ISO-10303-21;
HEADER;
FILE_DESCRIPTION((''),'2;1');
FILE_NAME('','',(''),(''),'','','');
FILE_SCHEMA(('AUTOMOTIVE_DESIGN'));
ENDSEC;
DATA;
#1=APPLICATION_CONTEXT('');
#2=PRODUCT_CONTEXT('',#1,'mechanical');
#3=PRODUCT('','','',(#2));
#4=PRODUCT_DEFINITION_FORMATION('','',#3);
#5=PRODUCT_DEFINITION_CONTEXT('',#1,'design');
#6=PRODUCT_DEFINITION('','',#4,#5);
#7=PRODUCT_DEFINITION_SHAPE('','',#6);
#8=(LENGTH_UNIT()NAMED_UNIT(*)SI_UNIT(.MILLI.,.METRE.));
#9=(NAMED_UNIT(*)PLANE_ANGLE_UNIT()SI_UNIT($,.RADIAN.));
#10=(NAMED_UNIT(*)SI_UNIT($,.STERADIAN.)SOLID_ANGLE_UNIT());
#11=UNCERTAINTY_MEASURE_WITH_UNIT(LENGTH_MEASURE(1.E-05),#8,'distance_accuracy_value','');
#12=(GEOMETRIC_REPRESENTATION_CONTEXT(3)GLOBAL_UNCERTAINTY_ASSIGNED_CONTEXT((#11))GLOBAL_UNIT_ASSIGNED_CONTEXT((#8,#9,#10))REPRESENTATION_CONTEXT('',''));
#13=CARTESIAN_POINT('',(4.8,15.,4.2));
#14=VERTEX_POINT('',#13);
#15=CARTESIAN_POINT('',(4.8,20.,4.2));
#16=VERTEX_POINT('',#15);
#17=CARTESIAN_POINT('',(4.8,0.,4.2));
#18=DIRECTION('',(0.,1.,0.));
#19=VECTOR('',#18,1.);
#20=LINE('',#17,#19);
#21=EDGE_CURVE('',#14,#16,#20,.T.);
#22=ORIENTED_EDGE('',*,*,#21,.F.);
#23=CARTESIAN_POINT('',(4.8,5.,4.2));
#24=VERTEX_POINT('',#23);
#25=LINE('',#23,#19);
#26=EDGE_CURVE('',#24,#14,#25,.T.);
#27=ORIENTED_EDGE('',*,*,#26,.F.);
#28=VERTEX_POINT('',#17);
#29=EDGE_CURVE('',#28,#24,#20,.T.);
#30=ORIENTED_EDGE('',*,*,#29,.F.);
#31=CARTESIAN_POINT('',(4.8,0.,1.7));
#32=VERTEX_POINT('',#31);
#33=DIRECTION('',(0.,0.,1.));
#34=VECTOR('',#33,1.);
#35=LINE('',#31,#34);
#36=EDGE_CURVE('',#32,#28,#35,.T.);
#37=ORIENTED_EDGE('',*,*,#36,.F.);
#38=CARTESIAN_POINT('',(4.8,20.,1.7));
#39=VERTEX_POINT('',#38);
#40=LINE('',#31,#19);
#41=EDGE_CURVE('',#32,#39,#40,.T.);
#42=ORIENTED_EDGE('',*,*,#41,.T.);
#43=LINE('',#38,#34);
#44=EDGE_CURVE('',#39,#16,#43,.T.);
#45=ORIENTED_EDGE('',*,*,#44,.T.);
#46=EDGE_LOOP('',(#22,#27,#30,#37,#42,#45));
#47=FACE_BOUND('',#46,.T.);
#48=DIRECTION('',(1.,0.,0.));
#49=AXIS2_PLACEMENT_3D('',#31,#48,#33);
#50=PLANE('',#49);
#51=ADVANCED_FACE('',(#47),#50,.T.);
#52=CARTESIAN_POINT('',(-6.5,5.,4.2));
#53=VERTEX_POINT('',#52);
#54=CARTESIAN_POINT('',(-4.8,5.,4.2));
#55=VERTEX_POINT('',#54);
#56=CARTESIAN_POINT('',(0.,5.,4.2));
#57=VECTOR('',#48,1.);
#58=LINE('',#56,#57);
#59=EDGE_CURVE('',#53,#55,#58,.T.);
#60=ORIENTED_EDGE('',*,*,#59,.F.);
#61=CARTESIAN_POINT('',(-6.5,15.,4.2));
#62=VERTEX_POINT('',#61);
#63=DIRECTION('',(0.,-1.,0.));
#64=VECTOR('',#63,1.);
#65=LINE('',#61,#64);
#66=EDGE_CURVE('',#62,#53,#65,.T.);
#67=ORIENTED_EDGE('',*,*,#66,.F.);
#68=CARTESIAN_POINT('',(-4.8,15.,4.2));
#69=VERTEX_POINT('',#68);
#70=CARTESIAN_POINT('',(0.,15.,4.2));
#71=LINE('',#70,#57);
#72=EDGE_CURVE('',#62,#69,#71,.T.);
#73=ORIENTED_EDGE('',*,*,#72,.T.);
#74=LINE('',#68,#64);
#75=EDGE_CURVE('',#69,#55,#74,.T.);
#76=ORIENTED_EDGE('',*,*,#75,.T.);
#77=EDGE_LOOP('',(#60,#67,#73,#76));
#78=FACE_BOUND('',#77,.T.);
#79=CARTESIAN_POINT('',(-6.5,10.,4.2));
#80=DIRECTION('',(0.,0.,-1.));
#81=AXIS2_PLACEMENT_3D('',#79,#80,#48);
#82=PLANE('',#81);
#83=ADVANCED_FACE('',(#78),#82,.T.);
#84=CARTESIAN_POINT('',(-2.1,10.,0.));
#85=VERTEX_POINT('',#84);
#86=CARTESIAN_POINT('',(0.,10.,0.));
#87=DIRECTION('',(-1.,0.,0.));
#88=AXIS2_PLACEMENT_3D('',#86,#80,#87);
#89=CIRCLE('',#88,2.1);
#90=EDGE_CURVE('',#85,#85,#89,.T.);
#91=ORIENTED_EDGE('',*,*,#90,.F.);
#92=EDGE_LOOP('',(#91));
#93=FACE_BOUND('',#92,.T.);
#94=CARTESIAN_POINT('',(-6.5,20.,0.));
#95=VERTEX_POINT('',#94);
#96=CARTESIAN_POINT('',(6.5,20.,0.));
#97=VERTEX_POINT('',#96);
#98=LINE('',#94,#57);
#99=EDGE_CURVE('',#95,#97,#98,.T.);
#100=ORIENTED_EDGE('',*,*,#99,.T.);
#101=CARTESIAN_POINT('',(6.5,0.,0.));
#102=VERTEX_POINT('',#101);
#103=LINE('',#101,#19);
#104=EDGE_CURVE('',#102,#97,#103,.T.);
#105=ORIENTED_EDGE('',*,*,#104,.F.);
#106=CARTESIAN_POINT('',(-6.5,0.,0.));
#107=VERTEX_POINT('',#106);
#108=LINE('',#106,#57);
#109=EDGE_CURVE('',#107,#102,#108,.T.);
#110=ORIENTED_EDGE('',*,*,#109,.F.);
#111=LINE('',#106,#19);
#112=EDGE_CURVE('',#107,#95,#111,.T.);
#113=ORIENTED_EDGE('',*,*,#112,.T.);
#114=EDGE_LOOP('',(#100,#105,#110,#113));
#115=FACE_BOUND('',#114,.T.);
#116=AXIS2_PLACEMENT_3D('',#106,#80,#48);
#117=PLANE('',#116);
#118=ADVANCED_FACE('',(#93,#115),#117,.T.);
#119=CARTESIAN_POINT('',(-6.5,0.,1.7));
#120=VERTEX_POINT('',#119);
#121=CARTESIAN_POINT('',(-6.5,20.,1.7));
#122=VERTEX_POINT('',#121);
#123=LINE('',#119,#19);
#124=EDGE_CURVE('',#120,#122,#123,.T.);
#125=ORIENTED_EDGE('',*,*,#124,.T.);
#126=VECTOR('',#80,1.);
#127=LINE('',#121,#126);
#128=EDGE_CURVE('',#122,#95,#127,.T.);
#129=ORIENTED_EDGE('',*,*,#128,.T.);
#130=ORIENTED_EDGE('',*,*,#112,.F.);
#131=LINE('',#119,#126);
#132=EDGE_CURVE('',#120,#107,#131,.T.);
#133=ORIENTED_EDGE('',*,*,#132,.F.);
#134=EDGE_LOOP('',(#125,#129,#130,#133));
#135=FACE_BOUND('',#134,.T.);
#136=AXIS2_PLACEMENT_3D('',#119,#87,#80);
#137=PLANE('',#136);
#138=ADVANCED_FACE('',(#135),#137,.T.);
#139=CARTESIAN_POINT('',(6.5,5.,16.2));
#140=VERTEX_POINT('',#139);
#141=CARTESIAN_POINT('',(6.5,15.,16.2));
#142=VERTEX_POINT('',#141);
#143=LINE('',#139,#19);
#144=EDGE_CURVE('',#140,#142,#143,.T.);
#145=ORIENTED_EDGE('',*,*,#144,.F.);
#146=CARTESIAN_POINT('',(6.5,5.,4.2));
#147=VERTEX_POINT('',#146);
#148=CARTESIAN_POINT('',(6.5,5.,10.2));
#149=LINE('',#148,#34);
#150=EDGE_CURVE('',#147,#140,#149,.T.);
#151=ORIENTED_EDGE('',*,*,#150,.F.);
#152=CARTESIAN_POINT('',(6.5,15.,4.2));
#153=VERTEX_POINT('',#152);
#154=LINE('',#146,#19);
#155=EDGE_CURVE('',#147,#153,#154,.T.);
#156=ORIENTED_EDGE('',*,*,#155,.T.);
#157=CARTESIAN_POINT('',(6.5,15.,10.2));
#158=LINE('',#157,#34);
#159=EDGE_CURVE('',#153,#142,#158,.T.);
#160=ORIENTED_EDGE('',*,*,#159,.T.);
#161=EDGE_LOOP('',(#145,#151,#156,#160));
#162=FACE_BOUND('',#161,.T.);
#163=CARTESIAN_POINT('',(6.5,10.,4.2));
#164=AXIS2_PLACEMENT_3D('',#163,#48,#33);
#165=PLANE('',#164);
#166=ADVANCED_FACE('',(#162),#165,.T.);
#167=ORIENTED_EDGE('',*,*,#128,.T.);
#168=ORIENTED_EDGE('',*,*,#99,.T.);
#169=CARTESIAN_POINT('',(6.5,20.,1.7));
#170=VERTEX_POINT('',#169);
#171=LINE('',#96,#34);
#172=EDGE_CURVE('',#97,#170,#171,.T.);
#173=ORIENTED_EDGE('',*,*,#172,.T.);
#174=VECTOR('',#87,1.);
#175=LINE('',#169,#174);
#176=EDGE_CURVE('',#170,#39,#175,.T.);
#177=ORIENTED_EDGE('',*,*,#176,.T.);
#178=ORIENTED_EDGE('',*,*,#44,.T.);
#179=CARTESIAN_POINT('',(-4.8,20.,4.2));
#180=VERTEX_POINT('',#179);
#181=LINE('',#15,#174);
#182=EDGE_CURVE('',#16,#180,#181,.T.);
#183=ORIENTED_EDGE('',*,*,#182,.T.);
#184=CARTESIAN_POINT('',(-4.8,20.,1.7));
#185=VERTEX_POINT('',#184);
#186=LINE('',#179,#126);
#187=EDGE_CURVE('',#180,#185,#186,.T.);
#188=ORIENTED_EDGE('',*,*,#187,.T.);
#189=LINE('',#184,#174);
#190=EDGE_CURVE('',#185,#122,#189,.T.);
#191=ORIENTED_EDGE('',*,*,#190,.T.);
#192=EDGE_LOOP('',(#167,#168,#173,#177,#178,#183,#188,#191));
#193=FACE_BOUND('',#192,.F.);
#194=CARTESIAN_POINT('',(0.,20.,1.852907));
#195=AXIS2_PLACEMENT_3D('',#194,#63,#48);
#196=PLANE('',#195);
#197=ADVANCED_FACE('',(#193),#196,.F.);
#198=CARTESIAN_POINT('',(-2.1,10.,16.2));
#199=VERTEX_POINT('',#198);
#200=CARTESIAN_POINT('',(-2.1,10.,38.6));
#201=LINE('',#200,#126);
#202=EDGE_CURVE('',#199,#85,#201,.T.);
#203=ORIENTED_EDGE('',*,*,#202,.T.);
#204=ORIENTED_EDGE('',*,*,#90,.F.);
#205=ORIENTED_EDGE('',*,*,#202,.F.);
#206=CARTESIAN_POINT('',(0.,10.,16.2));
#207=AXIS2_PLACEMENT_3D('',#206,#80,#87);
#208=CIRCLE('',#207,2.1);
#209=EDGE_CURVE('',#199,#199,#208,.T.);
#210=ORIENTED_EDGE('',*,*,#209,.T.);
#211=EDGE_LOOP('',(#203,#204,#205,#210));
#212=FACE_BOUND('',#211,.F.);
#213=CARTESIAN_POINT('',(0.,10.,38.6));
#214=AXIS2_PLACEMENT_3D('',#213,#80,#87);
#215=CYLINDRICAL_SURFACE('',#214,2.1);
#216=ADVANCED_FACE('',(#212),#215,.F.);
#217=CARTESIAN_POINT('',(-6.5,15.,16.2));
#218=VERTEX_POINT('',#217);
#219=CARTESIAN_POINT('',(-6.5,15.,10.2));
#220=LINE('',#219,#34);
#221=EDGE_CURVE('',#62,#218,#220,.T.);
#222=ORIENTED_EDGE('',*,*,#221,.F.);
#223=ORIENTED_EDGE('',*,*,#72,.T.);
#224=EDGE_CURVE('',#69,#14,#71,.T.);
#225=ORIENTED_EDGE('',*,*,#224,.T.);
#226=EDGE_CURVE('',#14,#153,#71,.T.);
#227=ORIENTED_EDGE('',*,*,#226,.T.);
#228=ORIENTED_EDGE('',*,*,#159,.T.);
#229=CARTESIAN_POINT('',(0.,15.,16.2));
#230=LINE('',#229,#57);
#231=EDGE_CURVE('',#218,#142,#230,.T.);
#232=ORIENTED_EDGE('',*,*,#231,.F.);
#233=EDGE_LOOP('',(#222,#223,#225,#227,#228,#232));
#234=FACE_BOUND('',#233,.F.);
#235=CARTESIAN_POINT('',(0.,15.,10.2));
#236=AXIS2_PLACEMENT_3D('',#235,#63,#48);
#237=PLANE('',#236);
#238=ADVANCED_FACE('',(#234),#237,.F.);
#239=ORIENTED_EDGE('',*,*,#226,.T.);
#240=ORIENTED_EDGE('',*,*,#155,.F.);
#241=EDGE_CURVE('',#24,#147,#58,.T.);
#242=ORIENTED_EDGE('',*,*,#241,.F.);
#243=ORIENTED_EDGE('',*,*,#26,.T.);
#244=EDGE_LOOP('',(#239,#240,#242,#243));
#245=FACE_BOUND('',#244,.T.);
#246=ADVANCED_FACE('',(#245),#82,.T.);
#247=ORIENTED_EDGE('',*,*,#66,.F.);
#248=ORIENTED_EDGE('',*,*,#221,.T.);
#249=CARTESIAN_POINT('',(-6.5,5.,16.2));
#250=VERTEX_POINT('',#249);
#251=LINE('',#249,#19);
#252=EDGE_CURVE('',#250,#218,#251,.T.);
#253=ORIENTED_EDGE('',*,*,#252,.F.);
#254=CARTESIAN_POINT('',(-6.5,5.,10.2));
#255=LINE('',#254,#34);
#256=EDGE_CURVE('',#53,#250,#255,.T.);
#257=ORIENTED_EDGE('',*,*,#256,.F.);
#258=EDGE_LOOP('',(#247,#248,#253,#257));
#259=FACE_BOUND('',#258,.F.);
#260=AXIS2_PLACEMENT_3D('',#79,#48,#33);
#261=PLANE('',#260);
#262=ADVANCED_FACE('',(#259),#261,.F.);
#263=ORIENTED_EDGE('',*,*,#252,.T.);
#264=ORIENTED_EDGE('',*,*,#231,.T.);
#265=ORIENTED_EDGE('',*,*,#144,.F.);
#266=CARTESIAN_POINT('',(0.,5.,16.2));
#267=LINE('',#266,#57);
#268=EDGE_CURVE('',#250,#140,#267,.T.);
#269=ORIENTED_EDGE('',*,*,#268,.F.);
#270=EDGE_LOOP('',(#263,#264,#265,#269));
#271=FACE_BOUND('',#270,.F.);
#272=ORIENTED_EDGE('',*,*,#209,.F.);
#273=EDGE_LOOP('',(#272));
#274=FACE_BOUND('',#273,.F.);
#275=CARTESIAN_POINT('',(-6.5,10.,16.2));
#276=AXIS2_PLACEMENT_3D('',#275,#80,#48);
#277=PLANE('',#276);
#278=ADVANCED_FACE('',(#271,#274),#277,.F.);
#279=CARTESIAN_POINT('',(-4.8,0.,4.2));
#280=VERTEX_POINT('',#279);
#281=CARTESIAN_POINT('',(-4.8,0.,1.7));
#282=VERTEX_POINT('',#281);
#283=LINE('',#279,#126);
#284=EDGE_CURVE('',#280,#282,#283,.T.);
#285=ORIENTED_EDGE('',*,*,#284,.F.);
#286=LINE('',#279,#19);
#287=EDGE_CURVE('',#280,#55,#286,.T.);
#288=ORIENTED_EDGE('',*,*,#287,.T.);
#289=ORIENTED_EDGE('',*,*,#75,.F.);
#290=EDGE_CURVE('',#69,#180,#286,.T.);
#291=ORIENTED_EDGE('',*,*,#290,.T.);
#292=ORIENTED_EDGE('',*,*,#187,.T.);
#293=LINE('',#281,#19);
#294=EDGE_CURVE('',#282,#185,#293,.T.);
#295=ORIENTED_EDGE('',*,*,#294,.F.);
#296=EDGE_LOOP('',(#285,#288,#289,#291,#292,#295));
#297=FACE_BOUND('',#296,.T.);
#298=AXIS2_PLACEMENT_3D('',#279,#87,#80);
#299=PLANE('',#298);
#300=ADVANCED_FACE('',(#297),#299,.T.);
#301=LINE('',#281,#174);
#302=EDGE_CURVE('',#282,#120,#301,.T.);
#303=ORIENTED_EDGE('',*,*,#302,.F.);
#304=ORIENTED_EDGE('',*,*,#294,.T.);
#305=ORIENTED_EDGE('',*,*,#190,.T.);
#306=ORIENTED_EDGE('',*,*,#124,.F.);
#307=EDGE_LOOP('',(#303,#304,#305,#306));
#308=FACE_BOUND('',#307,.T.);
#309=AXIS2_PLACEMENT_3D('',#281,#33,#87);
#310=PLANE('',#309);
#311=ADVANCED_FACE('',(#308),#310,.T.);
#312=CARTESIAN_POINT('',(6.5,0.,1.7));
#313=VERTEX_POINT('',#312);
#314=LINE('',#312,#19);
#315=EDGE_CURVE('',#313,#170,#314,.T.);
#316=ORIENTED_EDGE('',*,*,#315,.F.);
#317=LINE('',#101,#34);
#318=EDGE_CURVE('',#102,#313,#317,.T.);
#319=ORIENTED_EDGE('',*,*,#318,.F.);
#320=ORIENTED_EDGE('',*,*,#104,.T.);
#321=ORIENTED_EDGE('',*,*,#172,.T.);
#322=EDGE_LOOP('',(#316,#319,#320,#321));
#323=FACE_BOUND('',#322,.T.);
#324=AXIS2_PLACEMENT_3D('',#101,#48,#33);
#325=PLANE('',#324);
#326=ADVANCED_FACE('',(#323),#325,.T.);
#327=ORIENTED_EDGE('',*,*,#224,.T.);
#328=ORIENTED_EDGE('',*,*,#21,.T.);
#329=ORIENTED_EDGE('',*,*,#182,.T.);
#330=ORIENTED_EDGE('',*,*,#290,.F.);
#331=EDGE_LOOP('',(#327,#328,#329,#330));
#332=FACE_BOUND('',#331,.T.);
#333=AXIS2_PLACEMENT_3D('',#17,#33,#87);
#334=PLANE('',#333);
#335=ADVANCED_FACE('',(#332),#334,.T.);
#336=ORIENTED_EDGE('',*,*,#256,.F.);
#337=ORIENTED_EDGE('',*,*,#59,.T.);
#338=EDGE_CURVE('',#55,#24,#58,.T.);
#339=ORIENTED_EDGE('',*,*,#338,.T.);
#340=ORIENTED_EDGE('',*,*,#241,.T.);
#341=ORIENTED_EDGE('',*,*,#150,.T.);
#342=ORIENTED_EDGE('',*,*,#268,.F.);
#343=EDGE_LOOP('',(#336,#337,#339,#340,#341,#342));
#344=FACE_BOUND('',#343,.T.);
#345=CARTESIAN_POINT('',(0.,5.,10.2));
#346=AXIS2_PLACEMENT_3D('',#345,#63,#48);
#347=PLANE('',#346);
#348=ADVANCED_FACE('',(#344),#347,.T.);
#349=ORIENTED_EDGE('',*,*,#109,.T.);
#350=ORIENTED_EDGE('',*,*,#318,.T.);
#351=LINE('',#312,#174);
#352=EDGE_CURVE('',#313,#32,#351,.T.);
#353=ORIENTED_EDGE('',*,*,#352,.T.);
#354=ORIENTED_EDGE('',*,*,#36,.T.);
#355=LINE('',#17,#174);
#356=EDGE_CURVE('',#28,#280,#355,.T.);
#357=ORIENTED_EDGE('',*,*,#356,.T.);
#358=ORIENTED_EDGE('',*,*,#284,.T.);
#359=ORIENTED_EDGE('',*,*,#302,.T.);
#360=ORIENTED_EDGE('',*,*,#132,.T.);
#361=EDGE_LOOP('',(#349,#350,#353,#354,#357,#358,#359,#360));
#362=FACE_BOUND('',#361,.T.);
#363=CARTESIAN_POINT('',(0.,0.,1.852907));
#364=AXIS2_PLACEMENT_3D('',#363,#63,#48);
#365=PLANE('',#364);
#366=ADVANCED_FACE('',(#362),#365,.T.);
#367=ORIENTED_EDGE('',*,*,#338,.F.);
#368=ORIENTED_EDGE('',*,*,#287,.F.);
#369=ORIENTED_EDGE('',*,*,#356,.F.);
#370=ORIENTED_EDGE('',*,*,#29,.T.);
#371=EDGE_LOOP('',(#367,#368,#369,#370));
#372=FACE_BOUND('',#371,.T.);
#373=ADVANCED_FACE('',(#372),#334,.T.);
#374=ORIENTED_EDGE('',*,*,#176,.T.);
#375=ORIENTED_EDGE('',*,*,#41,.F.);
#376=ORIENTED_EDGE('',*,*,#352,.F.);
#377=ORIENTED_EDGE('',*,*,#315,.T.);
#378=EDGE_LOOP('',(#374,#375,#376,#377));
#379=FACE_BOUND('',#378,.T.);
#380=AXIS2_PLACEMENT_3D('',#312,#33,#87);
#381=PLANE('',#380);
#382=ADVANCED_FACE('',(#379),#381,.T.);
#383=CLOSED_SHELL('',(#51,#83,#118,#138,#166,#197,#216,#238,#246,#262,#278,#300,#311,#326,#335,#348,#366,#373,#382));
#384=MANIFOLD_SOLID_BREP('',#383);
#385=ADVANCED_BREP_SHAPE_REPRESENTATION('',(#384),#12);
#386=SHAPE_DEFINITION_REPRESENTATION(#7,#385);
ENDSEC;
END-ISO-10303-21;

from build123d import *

# Parameters (mm, degrees)
F1_DEPTH      = 20
F3_W          = 13
F3_H          = 12
F4_DEPTH      = 5
F4_DEPTH_BACK = 5
F6_D          = 4.2
F6_DEPTH      = 22.4
F6_TIP        = 1.2618073


with BuildPart() as f1:
    # F0 (on Front) → F1 (new body)
    with BuildSketch(Plane.XZ):
        Polygon((-6.5, 0), (0, 0), (6.5, 0), (6.5, 1.7), (4.8, 1.7), (4.8, 4.2), (0, 4.2), (-4.8, 4.2), (-4.8, 1.7), (-6.5, 1.7), align=None)
    extrude(amount=-F1_DEPTH)

    # F3 (on offset) → F4 (join, two sides)
    with BuildSketch(Plane.XZ.offset(-10)) as f4_sk:
        with Locations((0, 10.2)):
            Rectangle(F3_W, F3_H)
    extrude(amount=F4_DEPTH)
    extrude(f4_sk.sketch, amount=-F4_DEPTH_BACK)

    # F6
    with Locations(Plane.XY.offset(16.2)):
        with Locations((0, 10)):
            Hole(F6_D / 2, depth=F6_DEPTH)
            with Locations((0, 0, -(F6_DEPTH + F6_TIP / 2))):  # 118° drill point
                Cone(0, F6_D / 2, F6_TIP, mode=Mode.SUBTRACT)


solid = f1.part
